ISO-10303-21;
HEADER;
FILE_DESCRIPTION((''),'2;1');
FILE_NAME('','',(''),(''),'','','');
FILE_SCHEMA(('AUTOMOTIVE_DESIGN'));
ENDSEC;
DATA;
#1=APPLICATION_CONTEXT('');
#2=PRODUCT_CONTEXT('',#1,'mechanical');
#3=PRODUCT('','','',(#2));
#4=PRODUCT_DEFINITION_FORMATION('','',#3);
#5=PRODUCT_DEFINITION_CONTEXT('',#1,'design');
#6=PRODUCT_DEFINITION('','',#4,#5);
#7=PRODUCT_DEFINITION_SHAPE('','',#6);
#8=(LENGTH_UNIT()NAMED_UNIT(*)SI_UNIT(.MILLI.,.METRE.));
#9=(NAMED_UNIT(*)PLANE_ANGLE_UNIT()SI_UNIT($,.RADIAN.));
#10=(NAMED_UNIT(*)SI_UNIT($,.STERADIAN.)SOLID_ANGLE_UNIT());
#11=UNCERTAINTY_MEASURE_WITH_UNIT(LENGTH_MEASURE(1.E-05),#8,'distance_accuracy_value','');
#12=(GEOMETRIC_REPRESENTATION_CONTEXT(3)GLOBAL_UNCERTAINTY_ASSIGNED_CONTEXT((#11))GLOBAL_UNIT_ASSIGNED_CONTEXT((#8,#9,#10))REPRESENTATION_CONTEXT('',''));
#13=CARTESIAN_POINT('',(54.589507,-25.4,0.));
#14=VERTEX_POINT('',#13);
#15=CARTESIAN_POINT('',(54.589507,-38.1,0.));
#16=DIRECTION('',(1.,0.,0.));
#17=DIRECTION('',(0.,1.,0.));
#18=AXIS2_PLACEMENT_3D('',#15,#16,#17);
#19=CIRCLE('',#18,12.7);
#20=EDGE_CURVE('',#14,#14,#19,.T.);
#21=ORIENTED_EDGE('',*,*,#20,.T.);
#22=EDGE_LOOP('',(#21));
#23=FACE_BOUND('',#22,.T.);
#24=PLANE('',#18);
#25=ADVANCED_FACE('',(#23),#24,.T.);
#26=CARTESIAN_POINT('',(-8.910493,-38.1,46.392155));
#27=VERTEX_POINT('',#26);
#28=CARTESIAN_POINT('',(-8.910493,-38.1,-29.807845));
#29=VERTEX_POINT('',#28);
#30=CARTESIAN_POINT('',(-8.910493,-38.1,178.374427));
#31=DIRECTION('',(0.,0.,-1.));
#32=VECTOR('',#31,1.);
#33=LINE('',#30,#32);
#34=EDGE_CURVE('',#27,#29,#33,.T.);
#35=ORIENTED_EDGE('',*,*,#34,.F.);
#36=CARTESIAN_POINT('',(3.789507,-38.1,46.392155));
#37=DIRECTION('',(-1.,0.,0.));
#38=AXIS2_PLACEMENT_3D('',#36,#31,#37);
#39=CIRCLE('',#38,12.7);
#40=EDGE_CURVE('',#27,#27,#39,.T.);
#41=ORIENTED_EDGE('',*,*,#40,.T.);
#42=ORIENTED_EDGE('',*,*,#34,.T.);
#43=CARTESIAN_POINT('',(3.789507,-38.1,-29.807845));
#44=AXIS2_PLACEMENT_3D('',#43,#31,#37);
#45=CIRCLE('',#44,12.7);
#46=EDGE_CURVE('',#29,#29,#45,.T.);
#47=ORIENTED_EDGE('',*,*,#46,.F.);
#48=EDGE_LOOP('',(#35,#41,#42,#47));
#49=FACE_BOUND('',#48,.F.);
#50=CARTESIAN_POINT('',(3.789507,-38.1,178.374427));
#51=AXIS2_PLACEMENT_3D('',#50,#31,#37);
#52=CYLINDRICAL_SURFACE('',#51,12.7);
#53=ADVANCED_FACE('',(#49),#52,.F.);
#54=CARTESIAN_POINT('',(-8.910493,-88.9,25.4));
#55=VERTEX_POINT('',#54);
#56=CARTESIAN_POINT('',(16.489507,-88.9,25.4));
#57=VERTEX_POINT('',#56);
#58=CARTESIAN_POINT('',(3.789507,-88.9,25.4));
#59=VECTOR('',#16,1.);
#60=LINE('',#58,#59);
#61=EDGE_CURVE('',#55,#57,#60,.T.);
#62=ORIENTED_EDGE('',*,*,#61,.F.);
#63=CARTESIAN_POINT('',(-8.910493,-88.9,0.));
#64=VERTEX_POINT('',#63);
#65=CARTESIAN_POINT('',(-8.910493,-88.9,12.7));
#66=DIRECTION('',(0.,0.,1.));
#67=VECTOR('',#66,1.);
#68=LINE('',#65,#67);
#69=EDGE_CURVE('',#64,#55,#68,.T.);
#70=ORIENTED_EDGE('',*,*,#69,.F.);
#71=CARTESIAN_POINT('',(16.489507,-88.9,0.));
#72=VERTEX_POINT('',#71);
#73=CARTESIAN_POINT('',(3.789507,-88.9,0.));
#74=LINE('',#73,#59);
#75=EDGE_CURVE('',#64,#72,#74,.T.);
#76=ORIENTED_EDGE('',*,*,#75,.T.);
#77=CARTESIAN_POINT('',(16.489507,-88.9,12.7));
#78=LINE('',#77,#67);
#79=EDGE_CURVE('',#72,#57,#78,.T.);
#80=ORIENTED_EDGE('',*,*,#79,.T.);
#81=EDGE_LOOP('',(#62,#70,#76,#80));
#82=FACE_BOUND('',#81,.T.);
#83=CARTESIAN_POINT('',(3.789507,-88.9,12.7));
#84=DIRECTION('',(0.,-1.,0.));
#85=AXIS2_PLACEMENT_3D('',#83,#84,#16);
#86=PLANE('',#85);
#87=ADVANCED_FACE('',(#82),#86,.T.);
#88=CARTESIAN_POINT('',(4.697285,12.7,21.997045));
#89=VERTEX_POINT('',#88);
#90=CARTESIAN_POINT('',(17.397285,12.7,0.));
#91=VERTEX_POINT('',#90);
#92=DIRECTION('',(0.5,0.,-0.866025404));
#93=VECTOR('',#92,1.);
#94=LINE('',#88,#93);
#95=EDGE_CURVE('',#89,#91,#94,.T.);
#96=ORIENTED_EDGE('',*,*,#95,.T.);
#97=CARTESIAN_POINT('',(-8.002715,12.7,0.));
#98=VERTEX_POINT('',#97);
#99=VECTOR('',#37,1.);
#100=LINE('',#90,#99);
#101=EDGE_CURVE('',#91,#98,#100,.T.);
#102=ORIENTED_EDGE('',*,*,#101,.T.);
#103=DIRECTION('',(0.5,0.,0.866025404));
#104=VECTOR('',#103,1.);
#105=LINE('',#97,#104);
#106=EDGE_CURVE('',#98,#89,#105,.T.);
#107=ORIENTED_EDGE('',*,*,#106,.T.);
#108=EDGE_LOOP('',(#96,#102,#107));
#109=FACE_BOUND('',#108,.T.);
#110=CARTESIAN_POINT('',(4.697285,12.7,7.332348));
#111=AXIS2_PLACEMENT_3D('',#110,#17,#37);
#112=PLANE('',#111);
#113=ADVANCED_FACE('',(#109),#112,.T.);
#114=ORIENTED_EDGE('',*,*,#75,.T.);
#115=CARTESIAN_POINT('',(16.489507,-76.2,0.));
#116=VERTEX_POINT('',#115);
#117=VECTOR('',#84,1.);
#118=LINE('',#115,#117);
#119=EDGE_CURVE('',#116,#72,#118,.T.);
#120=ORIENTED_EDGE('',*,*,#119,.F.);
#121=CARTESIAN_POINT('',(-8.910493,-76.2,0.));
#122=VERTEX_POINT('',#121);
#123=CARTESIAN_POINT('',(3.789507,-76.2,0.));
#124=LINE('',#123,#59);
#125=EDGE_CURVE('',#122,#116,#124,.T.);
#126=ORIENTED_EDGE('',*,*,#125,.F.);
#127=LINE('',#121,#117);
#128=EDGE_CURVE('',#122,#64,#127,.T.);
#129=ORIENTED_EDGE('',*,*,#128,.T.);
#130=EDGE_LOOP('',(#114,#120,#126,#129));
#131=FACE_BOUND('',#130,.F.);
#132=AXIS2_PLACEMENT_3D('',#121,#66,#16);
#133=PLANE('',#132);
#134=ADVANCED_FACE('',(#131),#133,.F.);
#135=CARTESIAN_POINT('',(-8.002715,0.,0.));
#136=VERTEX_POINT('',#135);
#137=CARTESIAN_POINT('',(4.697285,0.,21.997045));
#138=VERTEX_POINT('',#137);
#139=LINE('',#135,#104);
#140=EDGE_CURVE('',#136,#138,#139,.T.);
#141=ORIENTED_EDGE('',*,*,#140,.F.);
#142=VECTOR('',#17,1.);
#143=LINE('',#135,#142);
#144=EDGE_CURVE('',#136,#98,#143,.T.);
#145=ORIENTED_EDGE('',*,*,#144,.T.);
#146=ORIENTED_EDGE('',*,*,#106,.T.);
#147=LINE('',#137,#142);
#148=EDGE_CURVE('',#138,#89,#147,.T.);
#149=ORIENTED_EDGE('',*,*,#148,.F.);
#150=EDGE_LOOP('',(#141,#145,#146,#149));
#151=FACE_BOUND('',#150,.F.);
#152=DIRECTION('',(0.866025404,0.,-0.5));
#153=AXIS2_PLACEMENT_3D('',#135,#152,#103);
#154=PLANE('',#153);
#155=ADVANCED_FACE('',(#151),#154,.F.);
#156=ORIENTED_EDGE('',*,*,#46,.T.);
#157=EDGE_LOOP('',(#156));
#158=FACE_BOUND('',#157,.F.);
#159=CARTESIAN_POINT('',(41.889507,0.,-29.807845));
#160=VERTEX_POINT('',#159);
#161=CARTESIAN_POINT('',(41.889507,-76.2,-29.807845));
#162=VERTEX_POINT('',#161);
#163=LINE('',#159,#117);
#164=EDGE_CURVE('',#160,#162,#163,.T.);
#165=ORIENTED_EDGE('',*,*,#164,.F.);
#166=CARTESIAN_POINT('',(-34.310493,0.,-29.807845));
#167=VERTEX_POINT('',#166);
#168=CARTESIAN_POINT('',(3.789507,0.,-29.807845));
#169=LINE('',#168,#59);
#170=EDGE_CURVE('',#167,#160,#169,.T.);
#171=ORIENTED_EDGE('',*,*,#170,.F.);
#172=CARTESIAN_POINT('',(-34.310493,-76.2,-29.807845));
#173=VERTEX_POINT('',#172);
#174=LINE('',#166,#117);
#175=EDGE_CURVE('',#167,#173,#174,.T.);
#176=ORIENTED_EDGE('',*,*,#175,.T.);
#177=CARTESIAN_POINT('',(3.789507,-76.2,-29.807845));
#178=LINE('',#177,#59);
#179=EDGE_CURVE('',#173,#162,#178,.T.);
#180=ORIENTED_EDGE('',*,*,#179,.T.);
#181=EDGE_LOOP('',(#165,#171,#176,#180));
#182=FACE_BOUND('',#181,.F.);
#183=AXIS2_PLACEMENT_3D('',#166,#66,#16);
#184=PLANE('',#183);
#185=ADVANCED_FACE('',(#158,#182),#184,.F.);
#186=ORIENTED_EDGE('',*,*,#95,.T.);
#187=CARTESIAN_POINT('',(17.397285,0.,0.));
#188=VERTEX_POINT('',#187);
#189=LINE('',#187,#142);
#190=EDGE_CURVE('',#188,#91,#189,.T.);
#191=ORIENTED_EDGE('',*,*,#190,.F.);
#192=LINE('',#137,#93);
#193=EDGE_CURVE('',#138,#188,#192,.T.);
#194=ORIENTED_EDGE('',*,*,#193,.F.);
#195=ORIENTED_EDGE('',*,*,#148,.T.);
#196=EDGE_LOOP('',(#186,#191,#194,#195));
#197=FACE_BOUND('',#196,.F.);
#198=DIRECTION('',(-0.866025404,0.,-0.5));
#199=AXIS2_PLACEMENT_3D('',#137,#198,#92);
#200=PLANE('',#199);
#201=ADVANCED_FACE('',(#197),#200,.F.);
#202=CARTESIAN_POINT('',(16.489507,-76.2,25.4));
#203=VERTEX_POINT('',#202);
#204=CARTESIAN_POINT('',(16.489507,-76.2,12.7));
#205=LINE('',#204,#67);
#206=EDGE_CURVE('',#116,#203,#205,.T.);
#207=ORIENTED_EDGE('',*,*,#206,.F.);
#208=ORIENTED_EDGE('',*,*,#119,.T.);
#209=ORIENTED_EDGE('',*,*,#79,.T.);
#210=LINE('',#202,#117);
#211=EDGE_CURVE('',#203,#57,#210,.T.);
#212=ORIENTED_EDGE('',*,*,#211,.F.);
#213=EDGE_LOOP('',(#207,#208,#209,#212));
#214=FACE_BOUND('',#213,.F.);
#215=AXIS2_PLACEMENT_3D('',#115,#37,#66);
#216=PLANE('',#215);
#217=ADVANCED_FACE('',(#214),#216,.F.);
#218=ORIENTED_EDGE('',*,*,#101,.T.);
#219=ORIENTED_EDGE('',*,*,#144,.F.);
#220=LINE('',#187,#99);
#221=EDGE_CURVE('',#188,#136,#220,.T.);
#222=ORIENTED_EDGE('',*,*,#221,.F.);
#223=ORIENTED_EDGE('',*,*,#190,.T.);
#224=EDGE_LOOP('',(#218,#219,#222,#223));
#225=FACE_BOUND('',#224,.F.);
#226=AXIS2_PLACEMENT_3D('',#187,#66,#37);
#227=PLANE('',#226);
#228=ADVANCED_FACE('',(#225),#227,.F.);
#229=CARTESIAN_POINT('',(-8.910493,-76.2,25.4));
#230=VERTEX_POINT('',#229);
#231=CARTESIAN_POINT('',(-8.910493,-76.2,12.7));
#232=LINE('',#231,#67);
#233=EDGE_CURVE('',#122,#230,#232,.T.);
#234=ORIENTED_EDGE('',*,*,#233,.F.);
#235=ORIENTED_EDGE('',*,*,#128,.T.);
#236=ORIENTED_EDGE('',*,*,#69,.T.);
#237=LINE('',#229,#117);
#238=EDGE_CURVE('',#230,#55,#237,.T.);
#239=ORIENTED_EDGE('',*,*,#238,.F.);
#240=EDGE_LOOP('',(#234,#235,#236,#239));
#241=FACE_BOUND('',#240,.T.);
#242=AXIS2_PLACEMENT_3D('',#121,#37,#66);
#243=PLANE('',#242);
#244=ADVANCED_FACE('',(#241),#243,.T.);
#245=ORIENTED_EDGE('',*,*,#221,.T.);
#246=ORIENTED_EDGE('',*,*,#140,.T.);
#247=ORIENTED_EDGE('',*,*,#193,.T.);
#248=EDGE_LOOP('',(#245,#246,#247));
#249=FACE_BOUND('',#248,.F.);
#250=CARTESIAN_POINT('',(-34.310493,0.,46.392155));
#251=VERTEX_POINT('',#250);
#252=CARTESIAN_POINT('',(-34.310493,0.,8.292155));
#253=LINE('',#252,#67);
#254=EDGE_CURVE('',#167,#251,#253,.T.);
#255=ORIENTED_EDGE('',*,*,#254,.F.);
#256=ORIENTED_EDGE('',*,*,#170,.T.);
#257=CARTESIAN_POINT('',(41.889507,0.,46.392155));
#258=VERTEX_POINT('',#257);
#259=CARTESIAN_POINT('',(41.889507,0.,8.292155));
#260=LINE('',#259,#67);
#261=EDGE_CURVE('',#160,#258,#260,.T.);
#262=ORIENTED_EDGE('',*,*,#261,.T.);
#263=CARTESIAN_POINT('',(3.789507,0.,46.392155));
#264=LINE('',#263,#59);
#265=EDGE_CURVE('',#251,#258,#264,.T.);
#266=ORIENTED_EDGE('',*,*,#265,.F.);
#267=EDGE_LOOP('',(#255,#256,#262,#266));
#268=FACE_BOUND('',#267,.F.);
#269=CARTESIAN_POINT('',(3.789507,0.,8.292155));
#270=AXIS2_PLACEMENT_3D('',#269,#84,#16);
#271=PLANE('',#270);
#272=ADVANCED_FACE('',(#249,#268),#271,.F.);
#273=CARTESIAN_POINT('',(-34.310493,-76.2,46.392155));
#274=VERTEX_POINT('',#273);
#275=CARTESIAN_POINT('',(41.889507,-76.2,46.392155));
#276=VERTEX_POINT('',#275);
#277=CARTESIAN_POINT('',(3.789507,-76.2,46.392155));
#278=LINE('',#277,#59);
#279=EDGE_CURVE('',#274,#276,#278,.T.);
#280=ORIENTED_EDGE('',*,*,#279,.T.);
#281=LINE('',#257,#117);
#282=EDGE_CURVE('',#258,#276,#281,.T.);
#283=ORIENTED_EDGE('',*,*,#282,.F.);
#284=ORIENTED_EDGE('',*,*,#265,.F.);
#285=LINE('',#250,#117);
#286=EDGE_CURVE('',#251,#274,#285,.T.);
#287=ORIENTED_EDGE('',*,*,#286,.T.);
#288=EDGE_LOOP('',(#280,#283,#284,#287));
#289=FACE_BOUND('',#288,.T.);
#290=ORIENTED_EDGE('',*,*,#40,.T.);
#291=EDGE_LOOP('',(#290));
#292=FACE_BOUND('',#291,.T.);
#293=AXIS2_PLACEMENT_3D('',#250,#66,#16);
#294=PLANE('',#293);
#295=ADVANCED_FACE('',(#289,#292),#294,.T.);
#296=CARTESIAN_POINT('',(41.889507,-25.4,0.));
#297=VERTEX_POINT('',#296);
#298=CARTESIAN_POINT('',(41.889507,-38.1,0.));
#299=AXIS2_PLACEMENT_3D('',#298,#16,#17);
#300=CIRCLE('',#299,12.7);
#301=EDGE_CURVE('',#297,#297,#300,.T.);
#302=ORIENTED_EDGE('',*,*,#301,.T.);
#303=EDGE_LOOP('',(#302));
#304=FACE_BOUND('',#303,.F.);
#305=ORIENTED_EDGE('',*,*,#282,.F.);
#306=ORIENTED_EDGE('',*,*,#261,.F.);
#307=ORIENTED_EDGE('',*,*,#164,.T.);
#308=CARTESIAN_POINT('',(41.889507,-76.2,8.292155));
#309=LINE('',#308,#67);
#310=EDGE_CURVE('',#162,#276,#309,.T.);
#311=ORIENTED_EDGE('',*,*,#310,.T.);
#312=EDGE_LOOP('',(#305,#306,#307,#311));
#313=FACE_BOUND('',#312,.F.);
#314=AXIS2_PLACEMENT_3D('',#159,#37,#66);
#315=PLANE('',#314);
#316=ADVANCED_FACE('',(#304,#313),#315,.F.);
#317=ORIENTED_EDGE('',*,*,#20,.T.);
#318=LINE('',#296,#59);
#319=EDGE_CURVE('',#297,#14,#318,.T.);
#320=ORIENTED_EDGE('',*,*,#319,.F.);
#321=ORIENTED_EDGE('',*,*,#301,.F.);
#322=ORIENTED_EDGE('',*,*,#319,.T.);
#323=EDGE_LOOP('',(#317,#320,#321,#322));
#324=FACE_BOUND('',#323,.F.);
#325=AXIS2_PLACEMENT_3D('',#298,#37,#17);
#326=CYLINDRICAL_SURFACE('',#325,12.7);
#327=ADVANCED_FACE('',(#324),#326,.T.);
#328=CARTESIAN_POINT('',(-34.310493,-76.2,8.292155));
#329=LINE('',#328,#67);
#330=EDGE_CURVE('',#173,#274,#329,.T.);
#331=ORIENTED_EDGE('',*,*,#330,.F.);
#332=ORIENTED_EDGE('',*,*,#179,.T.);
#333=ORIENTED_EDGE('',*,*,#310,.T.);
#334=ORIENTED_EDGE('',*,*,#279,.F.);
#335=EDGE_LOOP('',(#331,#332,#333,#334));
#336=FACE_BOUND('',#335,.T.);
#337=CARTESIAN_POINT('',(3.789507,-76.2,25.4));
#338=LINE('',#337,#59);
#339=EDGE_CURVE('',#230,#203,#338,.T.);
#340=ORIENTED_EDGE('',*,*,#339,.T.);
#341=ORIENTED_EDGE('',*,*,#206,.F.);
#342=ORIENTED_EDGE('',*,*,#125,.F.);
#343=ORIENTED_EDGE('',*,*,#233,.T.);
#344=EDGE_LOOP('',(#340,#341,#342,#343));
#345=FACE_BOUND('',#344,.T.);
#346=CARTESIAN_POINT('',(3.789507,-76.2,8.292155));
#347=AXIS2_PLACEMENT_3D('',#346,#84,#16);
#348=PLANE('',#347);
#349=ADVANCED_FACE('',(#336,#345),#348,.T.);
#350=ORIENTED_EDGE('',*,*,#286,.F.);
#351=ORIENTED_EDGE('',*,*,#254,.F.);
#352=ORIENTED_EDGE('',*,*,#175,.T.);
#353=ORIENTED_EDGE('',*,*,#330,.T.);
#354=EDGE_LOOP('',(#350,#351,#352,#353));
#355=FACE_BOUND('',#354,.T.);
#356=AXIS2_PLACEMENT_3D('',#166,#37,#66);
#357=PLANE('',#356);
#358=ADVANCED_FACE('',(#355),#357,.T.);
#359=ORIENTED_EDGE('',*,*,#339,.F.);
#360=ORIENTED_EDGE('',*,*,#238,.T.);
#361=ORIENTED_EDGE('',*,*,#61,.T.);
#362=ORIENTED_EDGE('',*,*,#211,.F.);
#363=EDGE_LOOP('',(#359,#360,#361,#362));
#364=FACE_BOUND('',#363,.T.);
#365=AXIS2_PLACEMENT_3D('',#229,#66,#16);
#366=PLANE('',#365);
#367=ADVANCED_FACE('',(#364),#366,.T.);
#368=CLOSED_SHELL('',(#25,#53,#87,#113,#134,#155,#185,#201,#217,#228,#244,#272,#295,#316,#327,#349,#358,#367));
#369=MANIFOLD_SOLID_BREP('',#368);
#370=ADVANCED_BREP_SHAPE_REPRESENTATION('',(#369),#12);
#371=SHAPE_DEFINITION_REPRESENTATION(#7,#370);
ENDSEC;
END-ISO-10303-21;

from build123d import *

# Parameters (mm, degrees)
F0_W      = 76.2
F0_H      = 76.2
F1_DEPTH  = 76.2
F3_D      = 25.4
F4_W      = 25.4
F4_H      = 25.4
F5_DEPTH  = 12.7
F6_R      = 12.7
F7_DEPTH  = 12.7
F5_FACE_W = 25.4
F5_FACE_H = 25.4
F9_DEPTH  = 12.7


with BuildPart() as f1:
    # F0 (on Front) → F1 (new body)
    with BuildSketch(Plane.XZ):
        with Locations((3.7895068526, 8.292155078)):
            Rectangle(F0_W, F0_H)
    extrude(amount=F1_DEPTH)

    # F3 (through all)
    with Locations(Plane.XY.offset(46.392155078)):
        with Locations((3.7895068526, -38.1)):
            Hole(F3_D / 2)

    # F4 (on face) → F5 (join)
    with BuildSketch(Plane.XZ.offset(76.2)):
        with Locations((3.7895068526, 12.7)):
            Rectangle(F4_W, F4_H)
    extrude(amount=F5_DEPTH)

    # F6 (on face) → F7 (join)
    with BuildSketch(Plane.YZ.offset(41.8895068526)):
        with Locations((-38.1, 0)):
            Circle(F6_R)
    extrude(amount=F7_DEPTH)

    # F8 (on face) + F5_face (on face) → F9 (join)
    with BuildSketch(Plane(origin=(0, 0, 0), x_dir=(-1, 0, 0), z_dir=(0, 1, 0))):
        Polygon((-17.3972853364, 0), (8.0027146636, 0), (-4.6972853364, 21.9970452561), align=None)
    with BuildSketch(Plane(origin=(3.7895068526, -88.9, 12.7), x_dir=(1, 0, 0), z_dir=(0, -1, 0))):
        Rectangle(F5_FACE_W, F5_FACE_H)
    extrude(amount=F9_DEPTH, dir=(0, 1, 0))


solid = f1.part
